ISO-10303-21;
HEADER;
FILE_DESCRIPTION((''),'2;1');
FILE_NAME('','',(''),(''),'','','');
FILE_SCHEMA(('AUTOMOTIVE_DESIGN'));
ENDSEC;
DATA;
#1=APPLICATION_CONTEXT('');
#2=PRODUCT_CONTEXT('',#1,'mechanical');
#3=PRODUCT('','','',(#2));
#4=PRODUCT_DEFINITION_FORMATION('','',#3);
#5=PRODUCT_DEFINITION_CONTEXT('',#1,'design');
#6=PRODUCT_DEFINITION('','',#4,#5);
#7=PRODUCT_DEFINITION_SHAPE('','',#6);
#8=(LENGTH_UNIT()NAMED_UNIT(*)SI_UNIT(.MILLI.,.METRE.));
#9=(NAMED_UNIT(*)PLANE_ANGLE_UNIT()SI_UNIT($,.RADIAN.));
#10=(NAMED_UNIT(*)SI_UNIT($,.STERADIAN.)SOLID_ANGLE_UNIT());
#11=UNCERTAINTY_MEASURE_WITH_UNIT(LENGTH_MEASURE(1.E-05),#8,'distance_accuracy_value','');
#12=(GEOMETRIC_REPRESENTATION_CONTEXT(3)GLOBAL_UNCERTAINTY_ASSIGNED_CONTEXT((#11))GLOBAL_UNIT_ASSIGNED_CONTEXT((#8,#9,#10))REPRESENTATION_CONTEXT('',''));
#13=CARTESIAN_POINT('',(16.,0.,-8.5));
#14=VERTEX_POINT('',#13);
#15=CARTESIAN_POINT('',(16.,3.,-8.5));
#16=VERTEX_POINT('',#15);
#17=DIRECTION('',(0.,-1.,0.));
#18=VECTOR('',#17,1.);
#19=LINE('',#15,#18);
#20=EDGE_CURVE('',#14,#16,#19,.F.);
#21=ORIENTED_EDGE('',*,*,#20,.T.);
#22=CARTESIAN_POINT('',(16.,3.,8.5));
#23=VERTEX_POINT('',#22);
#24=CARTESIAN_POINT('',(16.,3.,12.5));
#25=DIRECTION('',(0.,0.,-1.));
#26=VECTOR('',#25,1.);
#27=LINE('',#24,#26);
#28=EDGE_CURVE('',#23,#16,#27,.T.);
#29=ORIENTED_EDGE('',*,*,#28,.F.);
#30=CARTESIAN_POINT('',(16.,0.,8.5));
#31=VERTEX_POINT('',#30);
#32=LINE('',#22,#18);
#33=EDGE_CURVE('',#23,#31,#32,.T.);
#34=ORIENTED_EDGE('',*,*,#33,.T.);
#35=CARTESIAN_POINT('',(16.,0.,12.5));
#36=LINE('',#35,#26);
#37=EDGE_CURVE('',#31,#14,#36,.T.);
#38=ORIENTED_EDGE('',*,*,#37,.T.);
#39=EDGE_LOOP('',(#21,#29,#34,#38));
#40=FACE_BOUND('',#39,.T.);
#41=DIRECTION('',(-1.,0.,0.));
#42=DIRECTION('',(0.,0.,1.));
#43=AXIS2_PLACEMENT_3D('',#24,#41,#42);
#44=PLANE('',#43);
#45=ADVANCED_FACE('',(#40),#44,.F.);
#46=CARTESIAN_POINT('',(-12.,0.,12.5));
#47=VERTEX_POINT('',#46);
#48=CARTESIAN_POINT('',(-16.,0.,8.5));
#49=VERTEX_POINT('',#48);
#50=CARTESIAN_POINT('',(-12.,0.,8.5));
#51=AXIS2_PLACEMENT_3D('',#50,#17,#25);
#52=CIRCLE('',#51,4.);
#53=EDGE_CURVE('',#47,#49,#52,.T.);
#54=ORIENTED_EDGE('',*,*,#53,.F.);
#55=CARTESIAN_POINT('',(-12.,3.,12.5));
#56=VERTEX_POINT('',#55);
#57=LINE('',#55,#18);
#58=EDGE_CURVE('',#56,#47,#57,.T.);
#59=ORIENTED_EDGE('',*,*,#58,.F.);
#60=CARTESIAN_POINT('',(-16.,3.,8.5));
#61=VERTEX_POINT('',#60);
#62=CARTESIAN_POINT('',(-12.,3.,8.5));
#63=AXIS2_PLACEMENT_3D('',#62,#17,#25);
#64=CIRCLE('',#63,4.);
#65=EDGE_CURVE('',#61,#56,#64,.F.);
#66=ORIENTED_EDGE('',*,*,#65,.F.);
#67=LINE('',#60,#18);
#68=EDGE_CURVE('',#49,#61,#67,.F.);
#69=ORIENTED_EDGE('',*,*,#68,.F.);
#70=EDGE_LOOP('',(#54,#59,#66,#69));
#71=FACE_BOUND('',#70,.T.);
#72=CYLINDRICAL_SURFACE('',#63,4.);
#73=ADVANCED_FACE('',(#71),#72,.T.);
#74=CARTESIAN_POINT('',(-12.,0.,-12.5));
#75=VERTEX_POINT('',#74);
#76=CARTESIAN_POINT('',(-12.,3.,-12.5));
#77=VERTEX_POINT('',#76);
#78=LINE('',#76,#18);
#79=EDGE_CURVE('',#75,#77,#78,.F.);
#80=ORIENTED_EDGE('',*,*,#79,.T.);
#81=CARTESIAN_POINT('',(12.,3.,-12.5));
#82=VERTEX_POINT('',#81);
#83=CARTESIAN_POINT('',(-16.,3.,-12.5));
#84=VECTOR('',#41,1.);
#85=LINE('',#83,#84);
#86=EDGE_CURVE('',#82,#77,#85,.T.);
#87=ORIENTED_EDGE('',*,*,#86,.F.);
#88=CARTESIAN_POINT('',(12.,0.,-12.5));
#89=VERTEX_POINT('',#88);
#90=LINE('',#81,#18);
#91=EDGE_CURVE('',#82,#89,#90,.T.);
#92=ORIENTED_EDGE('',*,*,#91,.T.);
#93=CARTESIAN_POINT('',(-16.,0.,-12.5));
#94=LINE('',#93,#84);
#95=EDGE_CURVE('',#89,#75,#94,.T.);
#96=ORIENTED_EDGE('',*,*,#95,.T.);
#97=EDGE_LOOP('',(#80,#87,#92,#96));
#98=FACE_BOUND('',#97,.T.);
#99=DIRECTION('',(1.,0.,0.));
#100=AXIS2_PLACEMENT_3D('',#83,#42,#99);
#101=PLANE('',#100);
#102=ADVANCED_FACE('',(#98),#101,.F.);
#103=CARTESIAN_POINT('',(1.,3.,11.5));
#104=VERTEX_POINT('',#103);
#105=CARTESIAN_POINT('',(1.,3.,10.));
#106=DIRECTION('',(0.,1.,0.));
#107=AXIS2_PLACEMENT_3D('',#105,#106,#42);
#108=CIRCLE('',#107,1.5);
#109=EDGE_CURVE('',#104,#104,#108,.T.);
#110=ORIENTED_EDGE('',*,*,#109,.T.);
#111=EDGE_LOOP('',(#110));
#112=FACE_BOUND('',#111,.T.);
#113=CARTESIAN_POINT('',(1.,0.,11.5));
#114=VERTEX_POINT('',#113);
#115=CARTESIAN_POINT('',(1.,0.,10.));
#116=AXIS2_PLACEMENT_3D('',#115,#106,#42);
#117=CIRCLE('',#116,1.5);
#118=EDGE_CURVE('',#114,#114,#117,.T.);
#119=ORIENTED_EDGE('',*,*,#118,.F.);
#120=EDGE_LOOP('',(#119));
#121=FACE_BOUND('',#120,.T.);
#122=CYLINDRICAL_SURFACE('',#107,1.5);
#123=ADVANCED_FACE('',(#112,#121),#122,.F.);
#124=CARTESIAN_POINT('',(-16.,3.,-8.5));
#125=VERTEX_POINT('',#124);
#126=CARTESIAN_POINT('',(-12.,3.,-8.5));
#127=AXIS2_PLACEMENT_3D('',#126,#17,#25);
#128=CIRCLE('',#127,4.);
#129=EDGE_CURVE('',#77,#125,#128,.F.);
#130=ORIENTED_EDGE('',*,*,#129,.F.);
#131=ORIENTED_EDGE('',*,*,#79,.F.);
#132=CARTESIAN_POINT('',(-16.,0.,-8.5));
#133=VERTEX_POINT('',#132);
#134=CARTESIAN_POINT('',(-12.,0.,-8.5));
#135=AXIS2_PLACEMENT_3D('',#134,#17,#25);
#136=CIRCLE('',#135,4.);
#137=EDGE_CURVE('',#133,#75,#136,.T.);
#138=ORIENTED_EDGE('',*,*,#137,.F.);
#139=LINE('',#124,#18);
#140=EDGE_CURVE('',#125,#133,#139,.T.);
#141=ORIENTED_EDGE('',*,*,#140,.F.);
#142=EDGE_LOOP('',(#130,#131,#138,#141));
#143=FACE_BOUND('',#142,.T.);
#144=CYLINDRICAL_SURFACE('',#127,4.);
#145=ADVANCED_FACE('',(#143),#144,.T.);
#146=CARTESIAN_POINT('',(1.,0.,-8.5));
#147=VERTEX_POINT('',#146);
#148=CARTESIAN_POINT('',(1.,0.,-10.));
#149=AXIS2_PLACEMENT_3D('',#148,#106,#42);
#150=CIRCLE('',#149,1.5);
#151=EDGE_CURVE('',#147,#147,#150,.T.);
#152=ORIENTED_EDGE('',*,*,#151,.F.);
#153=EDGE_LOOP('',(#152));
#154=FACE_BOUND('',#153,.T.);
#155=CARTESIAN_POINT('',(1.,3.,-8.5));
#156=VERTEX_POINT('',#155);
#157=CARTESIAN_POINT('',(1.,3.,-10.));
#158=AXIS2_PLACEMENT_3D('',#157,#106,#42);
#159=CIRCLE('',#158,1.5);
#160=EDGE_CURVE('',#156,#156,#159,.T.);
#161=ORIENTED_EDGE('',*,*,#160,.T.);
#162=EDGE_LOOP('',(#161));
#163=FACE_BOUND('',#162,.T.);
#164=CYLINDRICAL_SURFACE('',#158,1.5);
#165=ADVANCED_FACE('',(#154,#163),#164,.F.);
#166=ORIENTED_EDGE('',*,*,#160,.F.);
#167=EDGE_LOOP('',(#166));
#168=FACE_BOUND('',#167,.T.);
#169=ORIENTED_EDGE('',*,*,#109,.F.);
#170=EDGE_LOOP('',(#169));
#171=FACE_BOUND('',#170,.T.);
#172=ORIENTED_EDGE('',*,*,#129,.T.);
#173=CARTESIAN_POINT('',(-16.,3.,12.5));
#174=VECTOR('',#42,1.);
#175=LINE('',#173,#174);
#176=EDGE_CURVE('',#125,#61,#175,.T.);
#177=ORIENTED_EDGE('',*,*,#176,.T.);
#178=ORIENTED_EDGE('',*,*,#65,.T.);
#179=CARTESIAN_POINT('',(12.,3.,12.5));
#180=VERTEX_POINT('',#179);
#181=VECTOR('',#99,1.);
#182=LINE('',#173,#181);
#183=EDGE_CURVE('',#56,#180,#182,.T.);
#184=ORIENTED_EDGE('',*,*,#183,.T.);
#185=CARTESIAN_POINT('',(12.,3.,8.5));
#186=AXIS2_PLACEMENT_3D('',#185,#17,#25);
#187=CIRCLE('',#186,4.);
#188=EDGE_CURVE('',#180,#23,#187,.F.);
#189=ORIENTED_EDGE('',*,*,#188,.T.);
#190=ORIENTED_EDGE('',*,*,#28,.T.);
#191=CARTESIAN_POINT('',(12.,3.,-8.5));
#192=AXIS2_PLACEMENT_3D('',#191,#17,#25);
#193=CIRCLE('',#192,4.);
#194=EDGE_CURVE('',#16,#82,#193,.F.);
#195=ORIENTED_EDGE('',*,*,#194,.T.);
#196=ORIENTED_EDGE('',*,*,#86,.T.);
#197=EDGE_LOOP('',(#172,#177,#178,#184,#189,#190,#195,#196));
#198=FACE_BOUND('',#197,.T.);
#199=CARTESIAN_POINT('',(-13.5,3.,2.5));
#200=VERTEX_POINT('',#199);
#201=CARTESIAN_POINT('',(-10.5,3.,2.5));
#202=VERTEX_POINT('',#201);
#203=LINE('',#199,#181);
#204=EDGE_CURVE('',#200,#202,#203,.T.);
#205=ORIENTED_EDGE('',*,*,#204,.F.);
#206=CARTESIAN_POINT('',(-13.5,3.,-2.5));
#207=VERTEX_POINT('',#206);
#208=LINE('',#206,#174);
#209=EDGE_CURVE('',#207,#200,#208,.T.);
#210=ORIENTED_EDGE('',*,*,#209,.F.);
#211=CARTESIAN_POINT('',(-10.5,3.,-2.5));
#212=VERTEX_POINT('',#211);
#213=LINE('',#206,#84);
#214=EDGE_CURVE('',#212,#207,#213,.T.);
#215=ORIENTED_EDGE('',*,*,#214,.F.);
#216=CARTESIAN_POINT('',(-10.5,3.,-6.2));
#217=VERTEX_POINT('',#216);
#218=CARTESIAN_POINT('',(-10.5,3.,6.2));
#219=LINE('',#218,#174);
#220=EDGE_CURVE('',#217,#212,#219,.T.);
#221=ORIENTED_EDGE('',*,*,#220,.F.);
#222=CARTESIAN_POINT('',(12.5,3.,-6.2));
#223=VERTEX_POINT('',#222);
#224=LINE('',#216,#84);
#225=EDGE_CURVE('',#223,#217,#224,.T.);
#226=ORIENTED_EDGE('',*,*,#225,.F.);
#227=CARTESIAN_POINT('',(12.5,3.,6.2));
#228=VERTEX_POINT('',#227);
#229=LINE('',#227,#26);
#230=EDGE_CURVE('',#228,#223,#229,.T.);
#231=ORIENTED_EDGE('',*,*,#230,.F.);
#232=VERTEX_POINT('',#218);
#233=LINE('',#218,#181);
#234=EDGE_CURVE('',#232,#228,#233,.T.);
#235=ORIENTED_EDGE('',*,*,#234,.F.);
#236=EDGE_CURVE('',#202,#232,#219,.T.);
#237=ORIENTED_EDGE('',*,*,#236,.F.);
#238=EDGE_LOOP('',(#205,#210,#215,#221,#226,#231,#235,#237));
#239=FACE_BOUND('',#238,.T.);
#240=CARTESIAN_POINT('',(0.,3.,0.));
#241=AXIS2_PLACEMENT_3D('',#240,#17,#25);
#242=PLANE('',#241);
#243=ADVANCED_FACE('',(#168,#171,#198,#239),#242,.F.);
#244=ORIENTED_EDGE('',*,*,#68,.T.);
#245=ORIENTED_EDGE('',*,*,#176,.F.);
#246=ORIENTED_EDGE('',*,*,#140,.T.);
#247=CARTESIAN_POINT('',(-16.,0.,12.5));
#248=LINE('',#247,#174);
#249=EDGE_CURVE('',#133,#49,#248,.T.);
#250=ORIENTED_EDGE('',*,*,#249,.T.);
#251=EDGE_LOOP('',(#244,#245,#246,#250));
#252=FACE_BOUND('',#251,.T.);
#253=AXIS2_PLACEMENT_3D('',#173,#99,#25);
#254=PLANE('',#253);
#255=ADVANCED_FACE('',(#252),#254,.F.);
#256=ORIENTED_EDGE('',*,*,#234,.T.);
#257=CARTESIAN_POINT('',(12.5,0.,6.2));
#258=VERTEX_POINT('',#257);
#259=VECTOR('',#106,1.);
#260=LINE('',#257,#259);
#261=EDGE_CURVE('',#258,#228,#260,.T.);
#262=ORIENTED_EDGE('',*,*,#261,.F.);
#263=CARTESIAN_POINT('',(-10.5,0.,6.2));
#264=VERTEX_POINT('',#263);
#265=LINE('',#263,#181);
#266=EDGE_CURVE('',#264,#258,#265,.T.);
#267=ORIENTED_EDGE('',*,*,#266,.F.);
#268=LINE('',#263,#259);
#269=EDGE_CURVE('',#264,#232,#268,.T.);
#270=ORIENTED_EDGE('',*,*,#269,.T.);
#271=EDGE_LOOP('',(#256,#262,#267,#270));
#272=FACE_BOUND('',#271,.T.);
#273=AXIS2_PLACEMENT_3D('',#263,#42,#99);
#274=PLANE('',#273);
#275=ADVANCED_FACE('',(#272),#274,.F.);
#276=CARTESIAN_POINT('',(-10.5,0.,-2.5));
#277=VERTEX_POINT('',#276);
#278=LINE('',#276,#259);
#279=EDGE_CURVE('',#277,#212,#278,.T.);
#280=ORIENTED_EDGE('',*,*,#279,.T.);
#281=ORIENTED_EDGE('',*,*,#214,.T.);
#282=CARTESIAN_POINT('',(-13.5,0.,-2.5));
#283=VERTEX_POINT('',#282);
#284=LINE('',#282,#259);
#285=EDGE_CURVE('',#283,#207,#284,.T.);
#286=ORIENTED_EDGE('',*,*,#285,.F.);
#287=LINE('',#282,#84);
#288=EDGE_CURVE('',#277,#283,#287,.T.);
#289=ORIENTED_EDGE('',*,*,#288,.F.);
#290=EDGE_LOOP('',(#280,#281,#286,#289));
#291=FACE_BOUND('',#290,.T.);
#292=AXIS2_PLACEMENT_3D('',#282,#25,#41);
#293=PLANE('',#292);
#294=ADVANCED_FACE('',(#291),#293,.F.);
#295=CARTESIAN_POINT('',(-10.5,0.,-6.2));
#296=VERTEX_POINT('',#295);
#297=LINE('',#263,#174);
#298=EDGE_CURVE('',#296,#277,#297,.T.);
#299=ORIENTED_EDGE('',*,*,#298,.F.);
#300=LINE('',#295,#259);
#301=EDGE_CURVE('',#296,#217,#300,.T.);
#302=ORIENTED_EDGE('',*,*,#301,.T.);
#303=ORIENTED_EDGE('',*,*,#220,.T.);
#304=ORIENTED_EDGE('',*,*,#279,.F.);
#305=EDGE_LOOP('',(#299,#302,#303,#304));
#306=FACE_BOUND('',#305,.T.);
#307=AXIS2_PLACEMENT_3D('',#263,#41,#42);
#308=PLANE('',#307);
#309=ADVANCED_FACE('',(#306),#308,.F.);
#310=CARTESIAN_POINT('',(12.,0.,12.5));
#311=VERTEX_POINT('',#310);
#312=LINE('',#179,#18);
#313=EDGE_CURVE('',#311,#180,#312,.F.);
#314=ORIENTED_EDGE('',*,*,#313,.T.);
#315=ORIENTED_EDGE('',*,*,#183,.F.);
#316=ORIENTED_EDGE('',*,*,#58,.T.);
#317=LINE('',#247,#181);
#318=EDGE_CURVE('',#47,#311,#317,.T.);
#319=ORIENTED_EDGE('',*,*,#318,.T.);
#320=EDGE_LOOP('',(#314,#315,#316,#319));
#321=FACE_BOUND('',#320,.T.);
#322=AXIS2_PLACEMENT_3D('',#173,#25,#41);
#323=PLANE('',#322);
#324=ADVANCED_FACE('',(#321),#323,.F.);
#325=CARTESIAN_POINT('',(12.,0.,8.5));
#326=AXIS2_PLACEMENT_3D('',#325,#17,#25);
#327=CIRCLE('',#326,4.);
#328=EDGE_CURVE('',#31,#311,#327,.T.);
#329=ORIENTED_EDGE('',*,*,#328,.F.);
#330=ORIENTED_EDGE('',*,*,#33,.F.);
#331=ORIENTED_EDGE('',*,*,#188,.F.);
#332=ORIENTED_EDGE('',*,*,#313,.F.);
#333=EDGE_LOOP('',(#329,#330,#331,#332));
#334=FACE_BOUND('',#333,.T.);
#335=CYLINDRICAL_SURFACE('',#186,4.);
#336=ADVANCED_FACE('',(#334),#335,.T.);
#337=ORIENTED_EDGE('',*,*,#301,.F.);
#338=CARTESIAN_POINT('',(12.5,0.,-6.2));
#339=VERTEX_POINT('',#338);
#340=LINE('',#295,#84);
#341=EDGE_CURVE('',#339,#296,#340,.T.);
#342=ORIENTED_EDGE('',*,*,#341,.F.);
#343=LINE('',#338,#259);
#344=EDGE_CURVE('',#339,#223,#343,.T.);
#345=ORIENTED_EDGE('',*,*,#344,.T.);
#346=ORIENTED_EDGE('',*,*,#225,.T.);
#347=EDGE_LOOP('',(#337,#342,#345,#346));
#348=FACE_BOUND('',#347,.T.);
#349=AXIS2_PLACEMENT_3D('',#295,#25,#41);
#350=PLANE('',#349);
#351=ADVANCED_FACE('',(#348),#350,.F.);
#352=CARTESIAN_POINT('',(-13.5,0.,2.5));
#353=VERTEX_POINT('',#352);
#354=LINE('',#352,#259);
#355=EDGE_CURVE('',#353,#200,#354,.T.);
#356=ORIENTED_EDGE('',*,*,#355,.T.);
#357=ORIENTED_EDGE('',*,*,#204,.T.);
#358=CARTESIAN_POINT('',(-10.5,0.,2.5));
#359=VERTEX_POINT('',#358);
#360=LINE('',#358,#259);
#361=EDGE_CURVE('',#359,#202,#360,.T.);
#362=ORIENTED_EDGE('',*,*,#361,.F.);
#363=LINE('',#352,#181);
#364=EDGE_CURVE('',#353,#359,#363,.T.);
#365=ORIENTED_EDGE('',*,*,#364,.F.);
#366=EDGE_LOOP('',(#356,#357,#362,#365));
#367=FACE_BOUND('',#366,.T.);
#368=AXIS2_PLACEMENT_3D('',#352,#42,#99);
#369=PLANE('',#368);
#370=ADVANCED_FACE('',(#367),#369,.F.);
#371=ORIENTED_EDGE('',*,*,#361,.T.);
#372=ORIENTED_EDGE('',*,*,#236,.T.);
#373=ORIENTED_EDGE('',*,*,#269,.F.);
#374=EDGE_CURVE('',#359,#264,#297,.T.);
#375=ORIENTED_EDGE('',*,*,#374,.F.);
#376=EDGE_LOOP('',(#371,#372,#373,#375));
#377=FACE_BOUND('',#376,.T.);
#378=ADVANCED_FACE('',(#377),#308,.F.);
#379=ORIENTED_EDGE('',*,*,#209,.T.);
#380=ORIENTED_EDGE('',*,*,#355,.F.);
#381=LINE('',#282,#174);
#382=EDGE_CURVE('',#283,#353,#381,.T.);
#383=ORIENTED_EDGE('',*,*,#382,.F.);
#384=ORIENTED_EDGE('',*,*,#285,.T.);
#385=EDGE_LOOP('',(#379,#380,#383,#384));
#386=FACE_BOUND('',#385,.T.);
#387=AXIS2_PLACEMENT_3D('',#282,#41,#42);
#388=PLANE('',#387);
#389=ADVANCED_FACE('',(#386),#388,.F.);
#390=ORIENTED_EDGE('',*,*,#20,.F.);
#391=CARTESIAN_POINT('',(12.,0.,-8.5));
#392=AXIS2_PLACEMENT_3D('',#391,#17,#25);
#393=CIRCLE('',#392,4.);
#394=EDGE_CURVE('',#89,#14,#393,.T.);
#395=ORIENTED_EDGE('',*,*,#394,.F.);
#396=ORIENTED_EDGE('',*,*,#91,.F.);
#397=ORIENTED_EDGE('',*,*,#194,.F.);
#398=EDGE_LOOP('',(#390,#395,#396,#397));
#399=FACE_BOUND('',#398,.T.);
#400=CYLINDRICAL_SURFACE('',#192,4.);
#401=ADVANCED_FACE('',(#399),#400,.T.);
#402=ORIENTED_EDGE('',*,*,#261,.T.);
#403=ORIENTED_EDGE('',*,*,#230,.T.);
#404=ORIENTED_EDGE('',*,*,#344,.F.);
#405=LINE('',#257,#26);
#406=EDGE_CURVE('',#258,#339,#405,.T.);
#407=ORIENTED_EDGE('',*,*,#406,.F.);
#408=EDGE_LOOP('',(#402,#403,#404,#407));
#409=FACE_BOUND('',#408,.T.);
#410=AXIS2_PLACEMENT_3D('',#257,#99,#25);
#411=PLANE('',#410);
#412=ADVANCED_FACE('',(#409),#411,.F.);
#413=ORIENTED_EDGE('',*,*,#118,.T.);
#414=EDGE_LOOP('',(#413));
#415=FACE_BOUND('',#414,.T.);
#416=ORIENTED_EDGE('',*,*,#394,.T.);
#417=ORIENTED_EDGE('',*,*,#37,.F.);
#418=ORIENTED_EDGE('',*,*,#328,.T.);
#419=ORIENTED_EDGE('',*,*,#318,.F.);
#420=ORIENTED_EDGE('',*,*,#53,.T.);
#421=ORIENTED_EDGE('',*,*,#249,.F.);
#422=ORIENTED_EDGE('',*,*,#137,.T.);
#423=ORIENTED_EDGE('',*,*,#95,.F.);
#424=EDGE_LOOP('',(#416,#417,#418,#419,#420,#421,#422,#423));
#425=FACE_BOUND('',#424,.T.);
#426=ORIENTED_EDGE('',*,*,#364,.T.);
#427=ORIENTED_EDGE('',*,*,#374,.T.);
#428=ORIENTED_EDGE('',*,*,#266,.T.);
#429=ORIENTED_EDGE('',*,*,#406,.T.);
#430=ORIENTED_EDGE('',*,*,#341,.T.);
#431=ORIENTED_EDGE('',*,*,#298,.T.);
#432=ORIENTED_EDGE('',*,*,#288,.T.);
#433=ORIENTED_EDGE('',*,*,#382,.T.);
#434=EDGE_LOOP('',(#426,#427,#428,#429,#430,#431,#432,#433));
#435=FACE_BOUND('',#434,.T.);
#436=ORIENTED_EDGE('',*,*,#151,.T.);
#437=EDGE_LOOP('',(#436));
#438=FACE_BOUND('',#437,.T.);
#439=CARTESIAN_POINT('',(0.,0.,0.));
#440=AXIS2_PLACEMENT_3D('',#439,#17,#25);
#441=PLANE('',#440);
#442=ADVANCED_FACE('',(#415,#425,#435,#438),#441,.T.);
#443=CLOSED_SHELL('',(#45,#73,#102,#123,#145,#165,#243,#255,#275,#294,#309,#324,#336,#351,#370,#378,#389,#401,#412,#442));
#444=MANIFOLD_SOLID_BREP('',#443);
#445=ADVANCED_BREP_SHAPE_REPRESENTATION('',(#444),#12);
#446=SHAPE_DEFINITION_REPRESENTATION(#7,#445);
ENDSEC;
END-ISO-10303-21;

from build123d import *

# Parameters (mm, degrees)
ESBO_O1_W                  = 32
ESBO_O1_H                  = 25
RESSALTO_EXTRUS_O1_DEPTH   = 3
PERFIL_CORTE_W             = 23
PERFIL_CORTE_H             = 12.4
CORTE_PRINCIPAL_DEPTH      = 81.646945091
FURO_DE_DI_METRO_3_0_3_1_D = 3
ESBO_O6_W                  = 3
ESBO_O6_H                  = 5
CORTE_EXTRUS_O2_DEPTH      = 81.150651679
FILETE1_R                  = 4


with BuildPart() as part:
    # Esboço1 → Ressalto-extrusão1 (new body)
    with BuildSketch(Plane(origin=(0, 0, 0), x_dir=(1, 0, 0), z_dir=(0, 1, 0))):
        Rectangle(ESBO_O1_W, ESBO_O1_H)
    extrude(amount=RESSALTO_EXTRUS_O1_DEPTH)

    # Perfil Corte → Corte Principal (cut, through all)
    with BuildSketch(Plane(origin=(-56.229726339, 3, 23.246277925), x_dir=(1, 0, 0), z_dir=(0, 1, 0))):
        with Locations((57.229726339, 23.246277925)):
            Rectangle(PERFIL_CORTE_W, PERFIL_CORTE_H)
    extrude(amount=-CORTE_PRINCIPAL_DEPTH, mode=Mode.SUBTRACT)

    # Furo de diâmetro Ø3.0 (3)1 (through all)
    with Locations(Plane(origin=(-54.773419901, 3, 25), x_dir=(1, 0, 0), z_dir=(0, 1, 0))):
        with Locations((55.773419901, 35), (55.773419901, 15)):
            Hole(FURO_DE_DI_METRO_3_0_3_1_D / 2)

    # Esboço6 → Corte-extrusão2 (cut, through all)
    with BuildSketch(Plane(origin=(-54.773419901, 3, 25), x_dir=(1, 0, 0), z_dir=(0, 1, 0))):
        with Locations((42.773419901, 25)):
            Rectangle(ESBO_O6_W, ESBO_O6_H)
    extrude(amount=-CORTE_EXTRUS_O2_DEPTH, mode=Mode.SUBTRACT)

    # Filete1
    filete1_edges = [part.edges().sort_by_distance(p)[0] for p in [
        (16, 1.5, 12.5),
        (-16, 1.5, 12.5),
        (-16, 1.5, -12.5),
        (16, 1.5, -12.5),
    ]]
    fillet(filete1_edges, radius=FILETE1_R)


solid = part.part
